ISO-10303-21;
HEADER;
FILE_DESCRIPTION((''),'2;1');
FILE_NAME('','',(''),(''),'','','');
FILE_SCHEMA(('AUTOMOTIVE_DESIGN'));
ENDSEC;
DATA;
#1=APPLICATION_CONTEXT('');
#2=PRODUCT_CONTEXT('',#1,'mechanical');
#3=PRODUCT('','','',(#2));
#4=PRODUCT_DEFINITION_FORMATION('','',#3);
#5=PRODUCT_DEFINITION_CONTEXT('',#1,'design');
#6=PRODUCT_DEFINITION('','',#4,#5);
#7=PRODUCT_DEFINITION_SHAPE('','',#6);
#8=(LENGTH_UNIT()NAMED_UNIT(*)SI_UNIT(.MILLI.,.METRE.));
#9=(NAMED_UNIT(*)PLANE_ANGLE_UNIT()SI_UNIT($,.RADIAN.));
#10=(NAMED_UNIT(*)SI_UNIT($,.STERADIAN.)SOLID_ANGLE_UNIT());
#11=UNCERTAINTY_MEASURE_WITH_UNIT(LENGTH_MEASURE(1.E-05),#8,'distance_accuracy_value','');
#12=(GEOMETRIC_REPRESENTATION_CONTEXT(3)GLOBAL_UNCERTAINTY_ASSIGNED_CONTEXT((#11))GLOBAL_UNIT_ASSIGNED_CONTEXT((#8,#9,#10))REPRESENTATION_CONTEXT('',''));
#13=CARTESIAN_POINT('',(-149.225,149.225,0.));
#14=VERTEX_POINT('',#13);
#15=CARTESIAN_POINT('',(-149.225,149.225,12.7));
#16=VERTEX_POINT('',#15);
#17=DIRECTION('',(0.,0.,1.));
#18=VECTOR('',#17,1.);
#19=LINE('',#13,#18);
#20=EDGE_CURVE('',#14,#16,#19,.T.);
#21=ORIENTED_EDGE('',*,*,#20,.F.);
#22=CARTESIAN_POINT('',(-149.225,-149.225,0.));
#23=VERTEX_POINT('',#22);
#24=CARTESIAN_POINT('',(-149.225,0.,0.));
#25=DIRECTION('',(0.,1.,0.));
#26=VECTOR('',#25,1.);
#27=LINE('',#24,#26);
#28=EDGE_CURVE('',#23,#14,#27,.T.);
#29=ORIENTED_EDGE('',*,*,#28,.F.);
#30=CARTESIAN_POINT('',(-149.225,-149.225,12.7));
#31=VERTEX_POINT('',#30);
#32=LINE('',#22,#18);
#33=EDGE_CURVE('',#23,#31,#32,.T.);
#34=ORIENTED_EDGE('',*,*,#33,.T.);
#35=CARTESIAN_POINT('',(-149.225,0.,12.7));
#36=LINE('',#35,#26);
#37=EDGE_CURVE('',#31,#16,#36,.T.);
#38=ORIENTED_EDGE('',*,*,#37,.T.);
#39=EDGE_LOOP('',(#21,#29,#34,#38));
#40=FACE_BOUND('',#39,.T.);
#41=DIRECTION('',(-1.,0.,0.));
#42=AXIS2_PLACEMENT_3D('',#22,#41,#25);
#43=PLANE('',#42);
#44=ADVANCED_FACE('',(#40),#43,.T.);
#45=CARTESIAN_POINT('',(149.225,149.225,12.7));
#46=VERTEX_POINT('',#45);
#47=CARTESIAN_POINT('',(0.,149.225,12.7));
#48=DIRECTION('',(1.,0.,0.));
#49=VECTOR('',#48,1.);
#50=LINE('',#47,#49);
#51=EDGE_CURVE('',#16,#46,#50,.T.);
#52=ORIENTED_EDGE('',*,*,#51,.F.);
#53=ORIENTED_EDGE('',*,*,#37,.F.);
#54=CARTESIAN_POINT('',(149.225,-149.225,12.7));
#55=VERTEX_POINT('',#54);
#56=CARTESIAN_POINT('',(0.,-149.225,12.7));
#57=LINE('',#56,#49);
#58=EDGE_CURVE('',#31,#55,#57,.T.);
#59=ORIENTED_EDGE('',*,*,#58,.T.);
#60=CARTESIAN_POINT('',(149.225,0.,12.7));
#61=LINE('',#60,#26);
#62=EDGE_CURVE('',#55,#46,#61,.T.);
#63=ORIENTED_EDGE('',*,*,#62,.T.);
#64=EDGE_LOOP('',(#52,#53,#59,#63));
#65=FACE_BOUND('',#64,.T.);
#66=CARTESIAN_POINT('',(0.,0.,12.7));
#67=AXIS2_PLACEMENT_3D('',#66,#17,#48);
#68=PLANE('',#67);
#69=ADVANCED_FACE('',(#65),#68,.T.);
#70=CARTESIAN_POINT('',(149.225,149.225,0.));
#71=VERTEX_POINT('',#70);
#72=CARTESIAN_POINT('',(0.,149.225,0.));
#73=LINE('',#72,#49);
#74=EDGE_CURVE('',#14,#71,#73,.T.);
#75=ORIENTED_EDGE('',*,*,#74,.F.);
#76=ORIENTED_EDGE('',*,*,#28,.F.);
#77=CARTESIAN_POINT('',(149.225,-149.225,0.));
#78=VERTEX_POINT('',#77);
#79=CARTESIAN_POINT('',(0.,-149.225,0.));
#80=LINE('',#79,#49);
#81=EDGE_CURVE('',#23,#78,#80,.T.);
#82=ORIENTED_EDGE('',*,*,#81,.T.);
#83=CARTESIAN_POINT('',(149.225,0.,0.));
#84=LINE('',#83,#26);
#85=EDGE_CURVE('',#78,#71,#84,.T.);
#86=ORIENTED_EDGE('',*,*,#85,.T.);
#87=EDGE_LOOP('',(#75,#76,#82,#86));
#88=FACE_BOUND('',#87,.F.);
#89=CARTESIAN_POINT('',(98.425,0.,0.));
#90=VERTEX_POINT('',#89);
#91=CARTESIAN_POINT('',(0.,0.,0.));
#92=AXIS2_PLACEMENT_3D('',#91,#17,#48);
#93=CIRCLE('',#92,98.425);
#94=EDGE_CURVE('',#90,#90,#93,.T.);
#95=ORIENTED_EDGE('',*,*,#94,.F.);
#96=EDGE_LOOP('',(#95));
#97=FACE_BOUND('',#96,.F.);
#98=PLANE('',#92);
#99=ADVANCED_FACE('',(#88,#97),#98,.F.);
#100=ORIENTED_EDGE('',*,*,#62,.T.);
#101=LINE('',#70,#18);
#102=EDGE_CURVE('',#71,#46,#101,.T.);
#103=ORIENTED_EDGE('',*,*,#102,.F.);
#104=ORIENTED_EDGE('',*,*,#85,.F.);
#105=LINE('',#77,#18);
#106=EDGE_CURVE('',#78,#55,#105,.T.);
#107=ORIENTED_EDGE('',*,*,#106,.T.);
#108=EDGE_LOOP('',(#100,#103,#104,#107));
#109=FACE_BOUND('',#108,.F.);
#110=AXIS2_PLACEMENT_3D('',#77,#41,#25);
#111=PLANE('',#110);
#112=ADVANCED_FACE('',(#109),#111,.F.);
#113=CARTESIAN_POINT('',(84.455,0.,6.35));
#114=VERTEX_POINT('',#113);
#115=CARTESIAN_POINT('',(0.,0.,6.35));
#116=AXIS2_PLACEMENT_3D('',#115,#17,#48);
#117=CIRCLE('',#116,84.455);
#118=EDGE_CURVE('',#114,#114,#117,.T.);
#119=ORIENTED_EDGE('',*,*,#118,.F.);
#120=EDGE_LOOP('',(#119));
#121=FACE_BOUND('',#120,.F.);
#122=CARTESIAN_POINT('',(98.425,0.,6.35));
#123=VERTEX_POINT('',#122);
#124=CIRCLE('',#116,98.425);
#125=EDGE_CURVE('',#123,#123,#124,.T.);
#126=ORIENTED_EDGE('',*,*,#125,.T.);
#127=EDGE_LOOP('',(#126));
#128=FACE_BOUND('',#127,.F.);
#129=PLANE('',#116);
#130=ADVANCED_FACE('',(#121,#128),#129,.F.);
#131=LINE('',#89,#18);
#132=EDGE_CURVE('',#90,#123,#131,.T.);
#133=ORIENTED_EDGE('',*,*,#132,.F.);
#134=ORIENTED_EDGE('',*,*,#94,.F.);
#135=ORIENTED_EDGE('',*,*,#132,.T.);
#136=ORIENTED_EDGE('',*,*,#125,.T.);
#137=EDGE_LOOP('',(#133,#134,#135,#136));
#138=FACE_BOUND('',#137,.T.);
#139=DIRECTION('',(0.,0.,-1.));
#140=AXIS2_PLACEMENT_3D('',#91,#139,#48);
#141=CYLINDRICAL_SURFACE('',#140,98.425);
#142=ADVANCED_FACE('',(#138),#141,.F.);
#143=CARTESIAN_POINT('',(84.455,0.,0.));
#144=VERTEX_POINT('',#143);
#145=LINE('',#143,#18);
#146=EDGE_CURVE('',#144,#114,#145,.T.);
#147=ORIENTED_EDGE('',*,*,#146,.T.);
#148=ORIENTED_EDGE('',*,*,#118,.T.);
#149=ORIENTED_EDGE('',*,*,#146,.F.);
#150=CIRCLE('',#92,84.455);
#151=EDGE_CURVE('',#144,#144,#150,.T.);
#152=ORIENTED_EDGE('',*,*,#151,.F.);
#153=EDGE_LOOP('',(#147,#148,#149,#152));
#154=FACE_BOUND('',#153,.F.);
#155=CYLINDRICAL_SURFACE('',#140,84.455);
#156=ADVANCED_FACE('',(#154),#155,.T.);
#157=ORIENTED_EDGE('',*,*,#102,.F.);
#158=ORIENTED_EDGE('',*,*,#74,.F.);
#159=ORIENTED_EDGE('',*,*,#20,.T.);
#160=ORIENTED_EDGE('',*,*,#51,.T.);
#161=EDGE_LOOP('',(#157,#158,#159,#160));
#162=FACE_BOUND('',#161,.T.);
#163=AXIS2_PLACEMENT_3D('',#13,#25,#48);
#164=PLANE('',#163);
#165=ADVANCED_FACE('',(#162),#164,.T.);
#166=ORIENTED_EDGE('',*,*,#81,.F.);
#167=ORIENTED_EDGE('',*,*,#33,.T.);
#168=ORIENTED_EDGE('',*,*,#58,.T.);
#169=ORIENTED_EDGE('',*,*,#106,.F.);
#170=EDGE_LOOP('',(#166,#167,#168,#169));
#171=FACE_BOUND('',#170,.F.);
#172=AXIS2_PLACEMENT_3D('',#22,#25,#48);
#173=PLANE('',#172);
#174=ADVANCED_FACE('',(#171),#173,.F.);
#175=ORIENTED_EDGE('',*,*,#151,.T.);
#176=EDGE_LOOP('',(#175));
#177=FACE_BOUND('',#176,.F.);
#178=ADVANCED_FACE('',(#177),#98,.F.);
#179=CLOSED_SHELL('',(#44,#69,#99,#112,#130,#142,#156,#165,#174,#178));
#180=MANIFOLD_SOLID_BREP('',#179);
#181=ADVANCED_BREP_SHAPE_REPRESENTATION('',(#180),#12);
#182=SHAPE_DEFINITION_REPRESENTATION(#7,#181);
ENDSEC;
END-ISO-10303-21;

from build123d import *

# Parameters (mm, degrees)
F0_W     = 298.45
F0_H     = 298.45
F0_R     = 98.425
F0_R_2   = 84.455
F1_DEPTH = 12.7
F2_DEPTH = 6.35


with BuildPart() as f1:
    # F0 (on Top) → F1 (new body)
    with BuildSketch(Plane.XY):
        Rectangle(F0_W, F0_H)
        Circle(F0_R, mode=Mode.SUBTRACT)
        Circle(F0_R)
        Circle(F0_R_2, mode=Mode.SUBTRACT)
        Circle(F0_R_2)
    extrude(amount=F1_DEPTH)

    # F0 (on Top) → F2 (cut)
    with BuildSketch(Plane.XY):
        Circle(F0_R)
        Circle(F0_R_2, mode=Mode.SUBTRACT)
    extrude(amount=F2_DEPTH, mode=Mode.SUBTRACT)


solid = f1.part
